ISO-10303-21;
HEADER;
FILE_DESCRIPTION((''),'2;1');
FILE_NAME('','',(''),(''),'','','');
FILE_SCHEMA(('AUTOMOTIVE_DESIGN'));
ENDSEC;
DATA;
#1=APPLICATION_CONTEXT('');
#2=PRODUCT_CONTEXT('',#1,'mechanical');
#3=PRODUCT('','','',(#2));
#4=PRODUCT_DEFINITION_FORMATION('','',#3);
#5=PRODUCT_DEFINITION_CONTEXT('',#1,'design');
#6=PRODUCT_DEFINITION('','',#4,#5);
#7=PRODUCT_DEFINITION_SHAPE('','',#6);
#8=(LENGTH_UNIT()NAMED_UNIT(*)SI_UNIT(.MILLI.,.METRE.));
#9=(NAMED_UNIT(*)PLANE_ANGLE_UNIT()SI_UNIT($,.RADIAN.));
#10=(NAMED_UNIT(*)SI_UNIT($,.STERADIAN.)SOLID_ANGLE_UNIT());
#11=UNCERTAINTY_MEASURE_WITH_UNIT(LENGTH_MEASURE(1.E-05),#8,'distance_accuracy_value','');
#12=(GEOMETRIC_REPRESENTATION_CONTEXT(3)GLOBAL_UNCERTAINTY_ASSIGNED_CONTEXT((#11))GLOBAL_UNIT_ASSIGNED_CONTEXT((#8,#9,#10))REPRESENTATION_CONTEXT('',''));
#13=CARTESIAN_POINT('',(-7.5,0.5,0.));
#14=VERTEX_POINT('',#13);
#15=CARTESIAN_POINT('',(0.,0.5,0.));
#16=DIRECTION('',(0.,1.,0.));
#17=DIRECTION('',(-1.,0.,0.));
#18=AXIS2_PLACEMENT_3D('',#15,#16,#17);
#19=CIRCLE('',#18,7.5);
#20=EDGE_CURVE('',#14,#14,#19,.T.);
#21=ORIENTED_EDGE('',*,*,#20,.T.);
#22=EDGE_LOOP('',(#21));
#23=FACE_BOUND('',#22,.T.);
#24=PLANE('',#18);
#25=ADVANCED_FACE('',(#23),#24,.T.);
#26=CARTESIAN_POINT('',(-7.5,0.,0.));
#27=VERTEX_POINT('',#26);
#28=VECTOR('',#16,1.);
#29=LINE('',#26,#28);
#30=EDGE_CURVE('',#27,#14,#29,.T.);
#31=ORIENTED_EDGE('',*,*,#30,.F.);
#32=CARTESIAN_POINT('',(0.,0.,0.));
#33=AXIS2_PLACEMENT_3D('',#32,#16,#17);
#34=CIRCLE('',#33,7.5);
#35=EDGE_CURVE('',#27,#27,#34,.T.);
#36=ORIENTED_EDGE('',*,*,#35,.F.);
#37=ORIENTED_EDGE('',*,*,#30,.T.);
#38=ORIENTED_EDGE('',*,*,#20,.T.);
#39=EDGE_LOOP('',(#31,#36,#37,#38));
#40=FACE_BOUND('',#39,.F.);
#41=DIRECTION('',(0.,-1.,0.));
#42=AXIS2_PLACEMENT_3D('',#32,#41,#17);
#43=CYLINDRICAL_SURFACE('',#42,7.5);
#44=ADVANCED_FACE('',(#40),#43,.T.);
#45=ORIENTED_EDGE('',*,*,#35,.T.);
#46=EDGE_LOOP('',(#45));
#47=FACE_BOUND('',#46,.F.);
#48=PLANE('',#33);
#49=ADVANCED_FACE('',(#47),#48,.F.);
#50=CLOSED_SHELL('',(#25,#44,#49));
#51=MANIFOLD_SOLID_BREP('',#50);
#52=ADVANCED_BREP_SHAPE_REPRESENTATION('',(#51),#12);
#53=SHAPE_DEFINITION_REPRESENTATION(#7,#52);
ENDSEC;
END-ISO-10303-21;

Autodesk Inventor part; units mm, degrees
ref_plane "YZ Plane" through (0, 0, 0) normal (1, 0, 0) x (0, 1, 0)
ref_plane "XZ Plane" through (0, 0, 0) normal (0, 1, 0) x (-1, 0, 0)
ref_plane "XY Plane" through (0, 0, 0) normal (0, 0, 1) x (1, 0, 0)
sketch "スケッチ1" plane through (0, 0, 0) normal (0, 1, 0) x (-1, 0, 0)
  circle A0 centre (0, 0) radius 7.5
  dimension "d0" = 15
extrude "押し出し1" add sketch "スケッチ1" along normal blind 0.5
properties part number "substrate" material "ニッケル銅合金 400"
